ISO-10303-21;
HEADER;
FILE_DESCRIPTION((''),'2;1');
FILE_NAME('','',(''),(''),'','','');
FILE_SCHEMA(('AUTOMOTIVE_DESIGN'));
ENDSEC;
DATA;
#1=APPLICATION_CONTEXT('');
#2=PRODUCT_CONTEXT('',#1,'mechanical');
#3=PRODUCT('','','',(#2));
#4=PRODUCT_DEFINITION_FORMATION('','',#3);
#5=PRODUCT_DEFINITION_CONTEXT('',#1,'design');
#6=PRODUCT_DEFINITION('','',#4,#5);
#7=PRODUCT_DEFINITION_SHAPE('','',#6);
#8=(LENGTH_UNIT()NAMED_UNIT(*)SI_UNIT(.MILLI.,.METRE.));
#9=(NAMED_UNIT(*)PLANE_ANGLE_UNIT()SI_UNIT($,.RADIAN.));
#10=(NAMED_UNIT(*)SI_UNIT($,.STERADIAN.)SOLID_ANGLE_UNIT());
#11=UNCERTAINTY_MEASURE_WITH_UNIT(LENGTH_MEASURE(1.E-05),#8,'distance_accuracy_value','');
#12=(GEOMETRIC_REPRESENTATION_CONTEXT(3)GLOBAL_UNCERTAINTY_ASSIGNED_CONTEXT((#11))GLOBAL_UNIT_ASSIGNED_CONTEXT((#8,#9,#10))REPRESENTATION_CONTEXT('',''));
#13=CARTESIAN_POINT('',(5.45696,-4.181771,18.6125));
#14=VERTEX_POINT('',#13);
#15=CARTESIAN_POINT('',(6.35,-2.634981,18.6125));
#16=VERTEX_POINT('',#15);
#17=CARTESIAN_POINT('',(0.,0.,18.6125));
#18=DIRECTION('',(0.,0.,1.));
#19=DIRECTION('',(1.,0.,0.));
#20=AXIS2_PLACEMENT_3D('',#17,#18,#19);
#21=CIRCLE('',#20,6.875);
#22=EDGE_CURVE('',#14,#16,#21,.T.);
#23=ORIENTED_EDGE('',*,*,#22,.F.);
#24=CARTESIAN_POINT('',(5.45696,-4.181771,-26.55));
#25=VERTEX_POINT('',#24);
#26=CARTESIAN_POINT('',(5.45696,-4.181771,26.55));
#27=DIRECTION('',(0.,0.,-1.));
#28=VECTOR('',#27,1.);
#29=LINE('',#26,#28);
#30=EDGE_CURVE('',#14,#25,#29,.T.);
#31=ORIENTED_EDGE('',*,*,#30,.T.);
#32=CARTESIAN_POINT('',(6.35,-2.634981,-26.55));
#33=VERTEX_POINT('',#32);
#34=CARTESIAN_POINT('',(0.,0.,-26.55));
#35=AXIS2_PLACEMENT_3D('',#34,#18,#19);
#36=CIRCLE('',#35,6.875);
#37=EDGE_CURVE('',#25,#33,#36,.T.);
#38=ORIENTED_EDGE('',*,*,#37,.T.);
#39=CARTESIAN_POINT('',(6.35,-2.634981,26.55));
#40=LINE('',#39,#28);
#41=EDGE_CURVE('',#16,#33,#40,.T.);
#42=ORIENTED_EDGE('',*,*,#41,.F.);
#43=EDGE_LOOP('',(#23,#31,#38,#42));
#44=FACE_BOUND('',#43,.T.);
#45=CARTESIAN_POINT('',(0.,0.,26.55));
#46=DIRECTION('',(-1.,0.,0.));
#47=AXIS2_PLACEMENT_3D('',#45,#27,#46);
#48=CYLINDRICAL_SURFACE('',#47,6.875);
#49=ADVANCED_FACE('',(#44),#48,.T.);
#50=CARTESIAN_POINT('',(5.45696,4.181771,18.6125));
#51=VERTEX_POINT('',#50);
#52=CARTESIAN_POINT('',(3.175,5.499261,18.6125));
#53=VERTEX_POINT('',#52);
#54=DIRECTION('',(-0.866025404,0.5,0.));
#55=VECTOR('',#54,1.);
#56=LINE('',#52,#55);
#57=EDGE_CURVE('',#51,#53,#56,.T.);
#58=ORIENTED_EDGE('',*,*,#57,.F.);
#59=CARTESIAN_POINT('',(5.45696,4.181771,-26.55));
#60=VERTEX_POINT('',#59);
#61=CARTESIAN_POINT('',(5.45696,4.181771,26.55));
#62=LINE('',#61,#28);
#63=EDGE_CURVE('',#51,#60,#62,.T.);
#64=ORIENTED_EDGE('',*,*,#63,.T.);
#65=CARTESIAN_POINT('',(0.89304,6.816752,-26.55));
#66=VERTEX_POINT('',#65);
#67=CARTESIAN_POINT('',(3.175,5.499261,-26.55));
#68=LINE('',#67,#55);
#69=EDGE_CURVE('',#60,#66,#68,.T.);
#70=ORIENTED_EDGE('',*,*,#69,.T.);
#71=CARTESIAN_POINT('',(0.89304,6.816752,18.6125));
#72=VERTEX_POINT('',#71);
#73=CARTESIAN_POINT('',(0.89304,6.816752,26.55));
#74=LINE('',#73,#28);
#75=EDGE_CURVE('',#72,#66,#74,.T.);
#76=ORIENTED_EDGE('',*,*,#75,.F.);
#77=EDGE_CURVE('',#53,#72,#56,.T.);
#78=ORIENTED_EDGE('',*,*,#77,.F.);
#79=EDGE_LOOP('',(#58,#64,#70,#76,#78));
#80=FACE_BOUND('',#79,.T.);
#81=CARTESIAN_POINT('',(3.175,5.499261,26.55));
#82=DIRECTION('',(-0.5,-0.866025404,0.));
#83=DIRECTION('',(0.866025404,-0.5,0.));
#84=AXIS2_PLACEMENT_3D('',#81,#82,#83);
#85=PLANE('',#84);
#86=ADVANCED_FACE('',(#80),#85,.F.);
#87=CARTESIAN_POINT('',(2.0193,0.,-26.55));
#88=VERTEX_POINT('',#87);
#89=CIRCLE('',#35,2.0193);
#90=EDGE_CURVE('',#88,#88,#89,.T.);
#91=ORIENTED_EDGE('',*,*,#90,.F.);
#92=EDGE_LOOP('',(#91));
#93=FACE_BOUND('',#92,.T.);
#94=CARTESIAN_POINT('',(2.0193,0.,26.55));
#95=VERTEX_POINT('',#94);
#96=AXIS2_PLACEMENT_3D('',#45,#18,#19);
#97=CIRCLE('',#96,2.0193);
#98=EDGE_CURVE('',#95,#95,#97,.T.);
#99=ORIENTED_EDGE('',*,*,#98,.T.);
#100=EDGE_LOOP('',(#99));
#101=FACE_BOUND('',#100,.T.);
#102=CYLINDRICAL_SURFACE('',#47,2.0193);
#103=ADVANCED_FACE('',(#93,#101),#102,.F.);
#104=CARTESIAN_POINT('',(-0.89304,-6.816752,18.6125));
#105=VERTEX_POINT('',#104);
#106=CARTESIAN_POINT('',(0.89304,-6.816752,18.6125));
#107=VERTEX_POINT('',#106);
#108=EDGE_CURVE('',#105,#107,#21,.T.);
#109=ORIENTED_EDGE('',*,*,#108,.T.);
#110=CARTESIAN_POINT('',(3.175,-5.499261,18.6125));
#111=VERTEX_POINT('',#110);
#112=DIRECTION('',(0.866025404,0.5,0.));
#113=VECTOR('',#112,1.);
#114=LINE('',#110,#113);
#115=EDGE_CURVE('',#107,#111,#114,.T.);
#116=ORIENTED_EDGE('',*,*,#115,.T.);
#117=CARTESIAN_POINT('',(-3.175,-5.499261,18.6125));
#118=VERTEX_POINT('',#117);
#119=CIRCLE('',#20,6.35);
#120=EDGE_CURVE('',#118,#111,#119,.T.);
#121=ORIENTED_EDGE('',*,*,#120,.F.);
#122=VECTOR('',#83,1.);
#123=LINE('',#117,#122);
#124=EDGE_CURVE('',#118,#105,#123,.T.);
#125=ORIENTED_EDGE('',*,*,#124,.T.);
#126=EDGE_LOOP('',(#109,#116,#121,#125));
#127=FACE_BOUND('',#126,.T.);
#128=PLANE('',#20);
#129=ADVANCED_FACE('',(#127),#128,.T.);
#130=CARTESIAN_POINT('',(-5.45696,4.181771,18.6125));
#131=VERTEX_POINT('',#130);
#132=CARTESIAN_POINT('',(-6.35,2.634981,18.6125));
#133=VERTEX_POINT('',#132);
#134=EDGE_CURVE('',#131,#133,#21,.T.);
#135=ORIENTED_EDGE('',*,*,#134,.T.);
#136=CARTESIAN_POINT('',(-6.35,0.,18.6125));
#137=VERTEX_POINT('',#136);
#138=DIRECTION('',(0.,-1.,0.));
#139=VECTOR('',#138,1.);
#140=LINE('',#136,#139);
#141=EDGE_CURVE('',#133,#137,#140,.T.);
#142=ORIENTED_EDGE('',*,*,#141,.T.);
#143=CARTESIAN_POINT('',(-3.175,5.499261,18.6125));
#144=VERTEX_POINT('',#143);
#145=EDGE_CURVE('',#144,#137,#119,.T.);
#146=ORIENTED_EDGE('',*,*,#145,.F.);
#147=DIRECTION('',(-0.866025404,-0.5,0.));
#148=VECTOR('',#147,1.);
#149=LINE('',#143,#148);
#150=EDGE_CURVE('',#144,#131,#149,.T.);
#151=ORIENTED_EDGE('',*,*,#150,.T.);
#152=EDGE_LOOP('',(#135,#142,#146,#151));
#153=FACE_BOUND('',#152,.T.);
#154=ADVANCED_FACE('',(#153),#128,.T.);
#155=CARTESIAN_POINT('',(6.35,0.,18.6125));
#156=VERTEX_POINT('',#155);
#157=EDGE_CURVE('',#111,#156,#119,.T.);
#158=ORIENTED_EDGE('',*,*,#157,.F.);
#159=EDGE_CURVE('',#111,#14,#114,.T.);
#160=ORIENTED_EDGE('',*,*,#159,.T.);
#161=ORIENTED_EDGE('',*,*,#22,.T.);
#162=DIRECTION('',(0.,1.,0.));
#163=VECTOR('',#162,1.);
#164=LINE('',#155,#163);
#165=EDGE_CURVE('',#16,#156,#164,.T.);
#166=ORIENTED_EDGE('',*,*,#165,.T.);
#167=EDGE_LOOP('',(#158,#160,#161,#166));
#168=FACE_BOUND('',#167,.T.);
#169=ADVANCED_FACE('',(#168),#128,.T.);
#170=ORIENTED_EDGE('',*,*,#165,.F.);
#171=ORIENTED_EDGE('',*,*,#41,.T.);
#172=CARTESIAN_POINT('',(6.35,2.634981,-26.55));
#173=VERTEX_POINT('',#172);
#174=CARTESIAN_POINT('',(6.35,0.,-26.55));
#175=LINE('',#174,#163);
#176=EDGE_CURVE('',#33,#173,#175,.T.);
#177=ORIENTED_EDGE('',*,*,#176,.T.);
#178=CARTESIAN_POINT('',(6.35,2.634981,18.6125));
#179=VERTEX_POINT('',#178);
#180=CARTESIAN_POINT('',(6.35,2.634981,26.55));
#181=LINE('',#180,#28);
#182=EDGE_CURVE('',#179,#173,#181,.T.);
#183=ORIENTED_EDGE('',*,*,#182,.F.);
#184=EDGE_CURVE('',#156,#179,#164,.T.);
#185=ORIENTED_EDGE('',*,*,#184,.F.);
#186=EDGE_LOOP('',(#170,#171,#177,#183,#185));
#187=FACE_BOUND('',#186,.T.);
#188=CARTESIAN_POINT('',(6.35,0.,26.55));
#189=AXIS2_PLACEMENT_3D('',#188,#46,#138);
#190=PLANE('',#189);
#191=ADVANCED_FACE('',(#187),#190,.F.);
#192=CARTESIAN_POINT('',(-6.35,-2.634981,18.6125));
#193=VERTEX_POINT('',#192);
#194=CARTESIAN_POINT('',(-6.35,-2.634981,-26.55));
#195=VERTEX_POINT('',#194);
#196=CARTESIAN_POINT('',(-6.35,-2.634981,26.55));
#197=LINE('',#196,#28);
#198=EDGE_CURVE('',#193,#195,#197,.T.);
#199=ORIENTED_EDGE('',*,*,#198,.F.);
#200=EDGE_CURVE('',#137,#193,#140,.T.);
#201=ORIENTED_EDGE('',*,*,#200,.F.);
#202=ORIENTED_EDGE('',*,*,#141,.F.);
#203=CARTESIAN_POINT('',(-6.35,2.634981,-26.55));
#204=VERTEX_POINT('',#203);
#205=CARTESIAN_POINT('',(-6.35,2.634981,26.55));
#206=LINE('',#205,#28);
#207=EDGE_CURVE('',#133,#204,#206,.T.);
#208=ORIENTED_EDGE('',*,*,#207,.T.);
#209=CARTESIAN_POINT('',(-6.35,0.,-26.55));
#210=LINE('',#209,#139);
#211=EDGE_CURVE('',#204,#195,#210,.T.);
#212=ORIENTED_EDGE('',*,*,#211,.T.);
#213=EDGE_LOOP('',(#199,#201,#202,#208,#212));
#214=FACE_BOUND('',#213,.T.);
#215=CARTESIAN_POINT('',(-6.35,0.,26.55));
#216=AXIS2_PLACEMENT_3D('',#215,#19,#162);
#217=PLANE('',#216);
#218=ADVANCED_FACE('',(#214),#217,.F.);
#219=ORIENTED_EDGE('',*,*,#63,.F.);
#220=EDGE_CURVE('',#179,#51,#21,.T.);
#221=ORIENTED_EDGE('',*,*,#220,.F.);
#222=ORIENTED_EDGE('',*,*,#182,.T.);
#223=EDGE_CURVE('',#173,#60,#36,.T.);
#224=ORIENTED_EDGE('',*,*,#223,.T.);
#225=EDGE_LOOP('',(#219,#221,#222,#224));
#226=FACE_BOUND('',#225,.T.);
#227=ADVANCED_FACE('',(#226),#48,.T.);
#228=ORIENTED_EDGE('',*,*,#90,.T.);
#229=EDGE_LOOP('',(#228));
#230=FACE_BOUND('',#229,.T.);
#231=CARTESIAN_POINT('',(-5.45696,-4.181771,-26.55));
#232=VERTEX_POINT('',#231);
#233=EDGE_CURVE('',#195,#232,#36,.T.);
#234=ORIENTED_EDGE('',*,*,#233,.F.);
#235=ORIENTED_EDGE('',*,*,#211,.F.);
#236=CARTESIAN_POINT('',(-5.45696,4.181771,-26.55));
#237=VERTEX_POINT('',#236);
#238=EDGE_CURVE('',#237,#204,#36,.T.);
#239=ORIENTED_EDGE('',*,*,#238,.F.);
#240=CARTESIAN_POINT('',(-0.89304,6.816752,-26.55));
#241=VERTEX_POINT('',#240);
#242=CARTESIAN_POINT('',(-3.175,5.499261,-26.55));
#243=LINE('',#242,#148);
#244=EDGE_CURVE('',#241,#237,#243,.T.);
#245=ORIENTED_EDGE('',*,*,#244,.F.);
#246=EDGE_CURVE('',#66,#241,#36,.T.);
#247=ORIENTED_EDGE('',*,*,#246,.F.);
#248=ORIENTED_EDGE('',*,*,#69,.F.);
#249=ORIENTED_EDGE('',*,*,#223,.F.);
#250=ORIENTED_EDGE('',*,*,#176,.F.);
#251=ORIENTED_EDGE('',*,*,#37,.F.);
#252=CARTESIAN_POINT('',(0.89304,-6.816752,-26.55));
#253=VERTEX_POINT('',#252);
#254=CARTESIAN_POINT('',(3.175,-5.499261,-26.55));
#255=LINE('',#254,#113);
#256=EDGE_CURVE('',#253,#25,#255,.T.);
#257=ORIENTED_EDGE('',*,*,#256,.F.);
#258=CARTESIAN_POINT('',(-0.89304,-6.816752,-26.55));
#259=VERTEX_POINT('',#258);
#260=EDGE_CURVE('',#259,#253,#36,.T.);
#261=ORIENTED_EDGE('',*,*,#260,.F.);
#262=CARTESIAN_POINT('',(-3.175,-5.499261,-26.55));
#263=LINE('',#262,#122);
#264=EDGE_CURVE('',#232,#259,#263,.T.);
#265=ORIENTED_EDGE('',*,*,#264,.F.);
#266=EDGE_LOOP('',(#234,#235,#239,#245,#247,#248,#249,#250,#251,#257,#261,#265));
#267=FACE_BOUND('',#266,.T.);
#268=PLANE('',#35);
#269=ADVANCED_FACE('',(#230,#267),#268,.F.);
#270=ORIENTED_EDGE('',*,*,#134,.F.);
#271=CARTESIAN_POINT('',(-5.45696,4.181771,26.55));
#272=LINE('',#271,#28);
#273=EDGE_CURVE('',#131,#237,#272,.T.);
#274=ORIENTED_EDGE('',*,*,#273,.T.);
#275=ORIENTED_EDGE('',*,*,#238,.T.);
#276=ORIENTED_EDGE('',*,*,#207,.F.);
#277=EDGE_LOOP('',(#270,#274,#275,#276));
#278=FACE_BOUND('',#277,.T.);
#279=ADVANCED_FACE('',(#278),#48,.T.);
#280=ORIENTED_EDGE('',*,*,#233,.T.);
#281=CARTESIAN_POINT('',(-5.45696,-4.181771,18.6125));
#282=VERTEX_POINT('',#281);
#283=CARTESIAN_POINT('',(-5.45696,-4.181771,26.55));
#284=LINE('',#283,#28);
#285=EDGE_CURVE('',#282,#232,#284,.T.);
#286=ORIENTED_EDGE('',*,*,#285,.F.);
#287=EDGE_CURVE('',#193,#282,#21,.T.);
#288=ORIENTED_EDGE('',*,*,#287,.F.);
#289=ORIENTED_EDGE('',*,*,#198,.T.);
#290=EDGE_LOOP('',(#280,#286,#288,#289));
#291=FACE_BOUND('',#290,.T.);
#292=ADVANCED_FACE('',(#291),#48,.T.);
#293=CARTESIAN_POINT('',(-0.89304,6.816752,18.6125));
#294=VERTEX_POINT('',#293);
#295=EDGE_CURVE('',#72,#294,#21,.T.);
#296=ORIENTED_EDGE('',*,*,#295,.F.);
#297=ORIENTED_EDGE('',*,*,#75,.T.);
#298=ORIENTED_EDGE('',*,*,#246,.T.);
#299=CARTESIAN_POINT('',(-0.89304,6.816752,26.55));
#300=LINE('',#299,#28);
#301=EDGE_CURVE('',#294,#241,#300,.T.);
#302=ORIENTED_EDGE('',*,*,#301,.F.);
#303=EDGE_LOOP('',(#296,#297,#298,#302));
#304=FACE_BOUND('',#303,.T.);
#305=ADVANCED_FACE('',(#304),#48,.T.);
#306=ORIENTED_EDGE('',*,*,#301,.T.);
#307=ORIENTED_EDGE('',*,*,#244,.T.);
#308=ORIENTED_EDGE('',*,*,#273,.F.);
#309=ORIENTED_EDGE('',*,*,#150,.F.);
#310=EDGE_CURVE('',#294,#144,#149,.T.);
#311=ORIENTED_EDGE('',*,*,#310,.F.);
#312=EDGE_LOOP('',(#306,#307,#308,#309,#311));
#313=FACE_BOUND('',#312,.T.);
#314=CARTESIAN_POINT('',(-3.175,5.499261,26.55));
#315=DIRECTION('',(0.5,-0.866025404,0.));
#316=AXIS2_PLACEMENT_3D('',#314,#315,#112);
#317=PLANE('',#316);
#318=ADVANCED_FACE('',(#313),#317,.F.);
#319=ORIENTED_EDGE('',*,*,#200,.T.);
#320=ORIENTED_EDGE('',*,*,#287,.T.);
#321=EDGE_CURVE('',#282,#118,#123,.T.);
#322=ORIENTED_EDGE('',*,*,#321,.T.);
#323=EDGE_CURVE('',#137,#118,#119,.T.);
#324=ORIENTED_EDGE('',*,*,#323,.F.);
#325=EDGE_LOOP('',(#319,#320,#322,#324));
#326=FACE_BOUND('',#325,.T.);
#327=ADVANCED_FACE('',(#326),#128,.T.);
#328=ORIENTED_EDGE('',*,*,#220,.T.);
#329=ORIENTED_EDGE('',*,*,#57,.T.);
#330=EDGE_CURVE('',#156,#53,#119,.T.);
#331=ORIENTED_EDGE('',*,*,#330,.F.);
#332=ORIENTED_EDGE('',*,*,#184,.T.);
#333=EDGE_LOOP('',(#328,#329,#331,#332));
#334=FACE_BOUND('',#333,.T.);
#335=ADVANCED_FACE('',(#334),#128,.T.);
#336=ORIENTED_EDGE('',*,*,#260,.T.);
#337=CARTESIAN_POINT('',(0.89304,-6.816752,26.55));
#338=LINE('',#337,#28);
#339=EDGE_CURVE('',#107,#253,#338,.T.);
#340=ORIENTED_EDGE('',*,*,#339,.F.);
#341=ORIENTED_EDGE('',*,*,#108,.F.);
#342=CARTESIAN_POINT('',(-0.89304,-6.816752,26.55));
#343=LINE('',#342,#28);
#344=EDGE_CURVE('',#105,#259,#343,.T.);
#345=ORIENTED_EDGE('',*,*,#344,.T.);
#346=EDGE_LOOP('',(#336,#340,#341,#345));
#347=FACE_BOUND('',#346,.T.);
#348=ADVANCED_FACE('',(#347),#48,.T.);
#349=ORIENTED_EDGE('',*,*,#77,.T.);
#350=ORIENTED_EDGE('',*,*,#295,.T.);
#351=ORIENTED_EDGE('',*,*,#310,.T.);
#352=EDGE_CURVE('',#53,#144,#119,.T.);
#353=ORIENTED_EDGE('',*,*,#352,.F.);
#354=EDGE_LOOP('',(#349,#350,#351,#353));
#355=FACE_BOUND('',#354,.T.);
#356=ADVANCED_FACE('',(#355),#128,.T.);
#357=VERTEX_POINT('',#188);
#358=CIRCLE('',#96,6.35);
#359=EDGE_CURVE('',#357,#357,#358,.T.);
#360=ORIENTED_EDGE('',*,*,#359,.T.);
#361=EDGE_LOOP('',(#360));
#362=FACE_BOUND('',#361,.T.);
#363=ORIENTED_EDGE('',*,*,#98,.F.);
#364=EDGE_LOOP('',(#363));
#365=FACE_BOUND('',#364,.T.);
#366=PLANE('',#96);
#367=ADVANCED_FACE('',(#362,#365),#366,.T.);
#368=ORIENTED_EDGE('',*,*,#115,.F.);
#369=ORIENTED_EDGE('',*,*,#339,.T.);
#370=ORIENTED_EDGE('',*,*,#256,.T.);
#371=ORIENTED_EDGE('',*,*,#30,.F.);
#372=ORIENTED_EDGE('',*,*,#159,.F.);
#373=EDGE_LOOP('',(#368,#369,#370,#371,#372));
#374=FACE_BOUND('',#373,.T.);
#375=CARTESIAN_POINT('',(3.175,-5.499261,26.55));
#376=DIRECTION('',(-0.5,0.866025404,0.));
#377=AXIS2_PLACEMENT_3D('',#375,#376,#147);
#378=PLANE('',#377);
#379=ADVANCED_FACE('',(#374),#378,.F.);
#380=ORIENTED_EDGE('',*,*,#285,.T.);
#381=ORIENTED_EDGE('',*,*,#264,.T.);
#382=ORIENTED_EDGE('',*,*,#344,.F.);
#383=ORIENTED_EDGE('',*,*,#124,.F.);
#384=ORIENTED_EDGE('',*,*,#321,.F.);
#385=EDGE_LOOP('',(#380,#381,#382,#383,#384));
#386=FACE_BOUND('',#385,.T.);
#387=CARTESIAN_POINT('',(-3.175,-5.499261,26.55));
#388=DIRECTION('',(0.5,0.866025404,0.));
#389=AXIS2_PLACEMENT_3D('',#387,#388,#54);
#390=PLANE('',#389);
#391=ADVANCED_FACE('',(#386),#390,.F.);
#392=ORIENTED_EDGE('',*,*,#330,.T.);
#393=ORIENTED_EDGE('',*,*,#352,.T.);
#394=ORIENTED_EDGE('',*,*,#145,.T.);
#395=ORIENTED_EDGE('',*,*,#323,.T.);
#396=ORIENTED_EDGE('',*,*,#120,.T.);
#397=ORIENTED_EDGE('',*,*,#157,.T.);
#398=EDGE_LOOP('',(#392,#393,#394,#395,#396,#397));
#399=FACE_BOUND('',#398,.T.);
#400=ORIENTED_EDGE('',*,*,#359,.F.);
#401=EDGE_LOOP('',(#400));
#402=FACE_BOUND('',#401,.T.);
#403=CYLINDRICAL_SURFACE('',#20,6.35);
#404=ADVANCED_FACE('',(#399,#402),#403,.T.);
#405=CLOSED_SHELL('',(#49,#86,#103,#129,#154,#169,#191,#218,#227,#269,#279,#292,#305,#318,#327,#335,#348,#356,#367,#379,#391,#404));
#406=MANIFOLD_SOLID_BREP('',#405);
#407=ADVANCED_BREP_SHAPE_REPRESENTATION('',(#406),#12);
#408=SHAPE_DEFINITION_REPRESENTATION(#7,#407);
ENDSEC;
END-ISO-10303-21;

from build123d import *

# Parameters (mm, degrees)
SKETCH1_R                            = 2.0193
BOSS_EXTRUDE1_DEPTH                  = 26.549999986
F_10_32_TAPPED_HOLE1_D               = 4.0386
F_10_32_TAPPED_HOLE1_DEPTH           = 12.02944
F_10_32_TAPPED_HOLE1_TIP             = 1.213317848
F_10_32_TAPPED_HOLE1_ON_FACE_2_D     = 4.0386
F_10_32_TAPPED_HOLE1_ON_FACE_2_DEPTH = 12.02944
F_10_32_TAPPED_HOLE1_ON_FACE_2_TIP   = 1.213317848
SKETCH5_R                            = 6.874999966
SKETCH5_R_2                          = 6.35
CUT_EXTRUDE1_DEPTH                   = 7.9375


with BuildPart() as part:
    # Sketch1 → Boss-Extrude1 (new, symmetric)
    with BuildSketch(Plane.XY):
        with BuildLine():
            ThreePointArc((0.893039571, 6.816751782), (0, 6.874999966), (-0.893039571, 6.816751782))
            Line((-0.893039571, 6.816751782), (-5.456960429, 4.181770846))
            ThreePointArc((-5.456960429, 4.181770846), (-5.953924622, 3.437499983), (-6.35, 2.634980936))
            Line((-6.35, 2.634980936), (-6.35, -2.634980936))
            ThreePointArc((-6.35, -2.634980936), (-5.953924622, -3.437499983), (-5.456960429, -4.181770846))
            Line((-5.456960429, -4.181770846), (-0.893039571, -6.816751782))
            ThreePointArc((-0.893039571, -6.816751782), (0, -6.874999966), (0.893039571, -6.816751782))
            Line((0.893039571, -6.816751782), (5.456960429, -4.181770846))
            ThreePointArc((5.456960429, -4.181770846), (5.953924622, -3.437499983), (6.35, -2.634980936))
            Line((6.35, -2.634980936), (6.35, 2.634980936))
            ThreePointArc((6.35, 2.634980936), (5.953924622, 3.437499983), (5.456960429, 4.181770846))
            Line((5.456960429, 4.181770846), (0.893039571, 6.816751782))
        make_face()
        Circle(SKETCH1_R, mode=Mode.SUBTRACT)
    extrude(amount=BOSS_EXTRUDE1_DEPTH, both=True)

    # #10-32 Tapped Hole1
    with Locations(Plane.XY.offset(26.549999986)):
        with Locations((0, 0)):
            Hole(F_10_32_TAPPED_HOLE1_D / 2, depth=F_10_32_TAPPED_HOLE1_DEPTH)
            with Locations((0, 0, -(F_10_32_TAPPED_HOLE1_DEPTH + F_10_32_TAPPED_HOLE1_TIP / 2))):  # 118° drill point
                Cone(0, F_10_32_TAPPED_HOLE1_D / 2, F_10_32_TAPPED_HOLE1_TIP, mode=Mode.SUBTRACT)

    # #10-32 Tapped Hole1 on face 2
    with Locations(Plane.XY.offset(-26.549999986)):
        with Locations((0, 0)):
            Hole(F_10_32_TAPPED_HOLE1_ON_FACE_2_D / 2, depth=F_10_32_TAPPED_HOLE1_ON_FACE_2_DEPTH)
            with Locations((0, 0, -(F_10_32_TAPPED_HOLE1_ON_FACE_2_DEPTH + F_10_32_TAPPED_HOLE1_ON_FACE_2_TIP / 2))):  # 118° drill point
                Cone(0, F_10_32_TAPPED_HOLE1_ON_FACE_2_D / 2, F_10_32_TAPPED_HOLE1_ON_FACE_2_TIP, mode=Mode.SUBTRACT)

    # Sketch5 → Cut-Extrude1 (cut)
    with BuildSketch(Plane.XY.offset(26.549999986)):
        Circle(SKETCH5_R)
        Circle(SKETCH5_R_2, mode=Mode.SUBTRACT)
    extrude(amount=-CUT_EXTRUDE1_DEPTH, mode=Mode.SUBTRACT)


solid = part.part
